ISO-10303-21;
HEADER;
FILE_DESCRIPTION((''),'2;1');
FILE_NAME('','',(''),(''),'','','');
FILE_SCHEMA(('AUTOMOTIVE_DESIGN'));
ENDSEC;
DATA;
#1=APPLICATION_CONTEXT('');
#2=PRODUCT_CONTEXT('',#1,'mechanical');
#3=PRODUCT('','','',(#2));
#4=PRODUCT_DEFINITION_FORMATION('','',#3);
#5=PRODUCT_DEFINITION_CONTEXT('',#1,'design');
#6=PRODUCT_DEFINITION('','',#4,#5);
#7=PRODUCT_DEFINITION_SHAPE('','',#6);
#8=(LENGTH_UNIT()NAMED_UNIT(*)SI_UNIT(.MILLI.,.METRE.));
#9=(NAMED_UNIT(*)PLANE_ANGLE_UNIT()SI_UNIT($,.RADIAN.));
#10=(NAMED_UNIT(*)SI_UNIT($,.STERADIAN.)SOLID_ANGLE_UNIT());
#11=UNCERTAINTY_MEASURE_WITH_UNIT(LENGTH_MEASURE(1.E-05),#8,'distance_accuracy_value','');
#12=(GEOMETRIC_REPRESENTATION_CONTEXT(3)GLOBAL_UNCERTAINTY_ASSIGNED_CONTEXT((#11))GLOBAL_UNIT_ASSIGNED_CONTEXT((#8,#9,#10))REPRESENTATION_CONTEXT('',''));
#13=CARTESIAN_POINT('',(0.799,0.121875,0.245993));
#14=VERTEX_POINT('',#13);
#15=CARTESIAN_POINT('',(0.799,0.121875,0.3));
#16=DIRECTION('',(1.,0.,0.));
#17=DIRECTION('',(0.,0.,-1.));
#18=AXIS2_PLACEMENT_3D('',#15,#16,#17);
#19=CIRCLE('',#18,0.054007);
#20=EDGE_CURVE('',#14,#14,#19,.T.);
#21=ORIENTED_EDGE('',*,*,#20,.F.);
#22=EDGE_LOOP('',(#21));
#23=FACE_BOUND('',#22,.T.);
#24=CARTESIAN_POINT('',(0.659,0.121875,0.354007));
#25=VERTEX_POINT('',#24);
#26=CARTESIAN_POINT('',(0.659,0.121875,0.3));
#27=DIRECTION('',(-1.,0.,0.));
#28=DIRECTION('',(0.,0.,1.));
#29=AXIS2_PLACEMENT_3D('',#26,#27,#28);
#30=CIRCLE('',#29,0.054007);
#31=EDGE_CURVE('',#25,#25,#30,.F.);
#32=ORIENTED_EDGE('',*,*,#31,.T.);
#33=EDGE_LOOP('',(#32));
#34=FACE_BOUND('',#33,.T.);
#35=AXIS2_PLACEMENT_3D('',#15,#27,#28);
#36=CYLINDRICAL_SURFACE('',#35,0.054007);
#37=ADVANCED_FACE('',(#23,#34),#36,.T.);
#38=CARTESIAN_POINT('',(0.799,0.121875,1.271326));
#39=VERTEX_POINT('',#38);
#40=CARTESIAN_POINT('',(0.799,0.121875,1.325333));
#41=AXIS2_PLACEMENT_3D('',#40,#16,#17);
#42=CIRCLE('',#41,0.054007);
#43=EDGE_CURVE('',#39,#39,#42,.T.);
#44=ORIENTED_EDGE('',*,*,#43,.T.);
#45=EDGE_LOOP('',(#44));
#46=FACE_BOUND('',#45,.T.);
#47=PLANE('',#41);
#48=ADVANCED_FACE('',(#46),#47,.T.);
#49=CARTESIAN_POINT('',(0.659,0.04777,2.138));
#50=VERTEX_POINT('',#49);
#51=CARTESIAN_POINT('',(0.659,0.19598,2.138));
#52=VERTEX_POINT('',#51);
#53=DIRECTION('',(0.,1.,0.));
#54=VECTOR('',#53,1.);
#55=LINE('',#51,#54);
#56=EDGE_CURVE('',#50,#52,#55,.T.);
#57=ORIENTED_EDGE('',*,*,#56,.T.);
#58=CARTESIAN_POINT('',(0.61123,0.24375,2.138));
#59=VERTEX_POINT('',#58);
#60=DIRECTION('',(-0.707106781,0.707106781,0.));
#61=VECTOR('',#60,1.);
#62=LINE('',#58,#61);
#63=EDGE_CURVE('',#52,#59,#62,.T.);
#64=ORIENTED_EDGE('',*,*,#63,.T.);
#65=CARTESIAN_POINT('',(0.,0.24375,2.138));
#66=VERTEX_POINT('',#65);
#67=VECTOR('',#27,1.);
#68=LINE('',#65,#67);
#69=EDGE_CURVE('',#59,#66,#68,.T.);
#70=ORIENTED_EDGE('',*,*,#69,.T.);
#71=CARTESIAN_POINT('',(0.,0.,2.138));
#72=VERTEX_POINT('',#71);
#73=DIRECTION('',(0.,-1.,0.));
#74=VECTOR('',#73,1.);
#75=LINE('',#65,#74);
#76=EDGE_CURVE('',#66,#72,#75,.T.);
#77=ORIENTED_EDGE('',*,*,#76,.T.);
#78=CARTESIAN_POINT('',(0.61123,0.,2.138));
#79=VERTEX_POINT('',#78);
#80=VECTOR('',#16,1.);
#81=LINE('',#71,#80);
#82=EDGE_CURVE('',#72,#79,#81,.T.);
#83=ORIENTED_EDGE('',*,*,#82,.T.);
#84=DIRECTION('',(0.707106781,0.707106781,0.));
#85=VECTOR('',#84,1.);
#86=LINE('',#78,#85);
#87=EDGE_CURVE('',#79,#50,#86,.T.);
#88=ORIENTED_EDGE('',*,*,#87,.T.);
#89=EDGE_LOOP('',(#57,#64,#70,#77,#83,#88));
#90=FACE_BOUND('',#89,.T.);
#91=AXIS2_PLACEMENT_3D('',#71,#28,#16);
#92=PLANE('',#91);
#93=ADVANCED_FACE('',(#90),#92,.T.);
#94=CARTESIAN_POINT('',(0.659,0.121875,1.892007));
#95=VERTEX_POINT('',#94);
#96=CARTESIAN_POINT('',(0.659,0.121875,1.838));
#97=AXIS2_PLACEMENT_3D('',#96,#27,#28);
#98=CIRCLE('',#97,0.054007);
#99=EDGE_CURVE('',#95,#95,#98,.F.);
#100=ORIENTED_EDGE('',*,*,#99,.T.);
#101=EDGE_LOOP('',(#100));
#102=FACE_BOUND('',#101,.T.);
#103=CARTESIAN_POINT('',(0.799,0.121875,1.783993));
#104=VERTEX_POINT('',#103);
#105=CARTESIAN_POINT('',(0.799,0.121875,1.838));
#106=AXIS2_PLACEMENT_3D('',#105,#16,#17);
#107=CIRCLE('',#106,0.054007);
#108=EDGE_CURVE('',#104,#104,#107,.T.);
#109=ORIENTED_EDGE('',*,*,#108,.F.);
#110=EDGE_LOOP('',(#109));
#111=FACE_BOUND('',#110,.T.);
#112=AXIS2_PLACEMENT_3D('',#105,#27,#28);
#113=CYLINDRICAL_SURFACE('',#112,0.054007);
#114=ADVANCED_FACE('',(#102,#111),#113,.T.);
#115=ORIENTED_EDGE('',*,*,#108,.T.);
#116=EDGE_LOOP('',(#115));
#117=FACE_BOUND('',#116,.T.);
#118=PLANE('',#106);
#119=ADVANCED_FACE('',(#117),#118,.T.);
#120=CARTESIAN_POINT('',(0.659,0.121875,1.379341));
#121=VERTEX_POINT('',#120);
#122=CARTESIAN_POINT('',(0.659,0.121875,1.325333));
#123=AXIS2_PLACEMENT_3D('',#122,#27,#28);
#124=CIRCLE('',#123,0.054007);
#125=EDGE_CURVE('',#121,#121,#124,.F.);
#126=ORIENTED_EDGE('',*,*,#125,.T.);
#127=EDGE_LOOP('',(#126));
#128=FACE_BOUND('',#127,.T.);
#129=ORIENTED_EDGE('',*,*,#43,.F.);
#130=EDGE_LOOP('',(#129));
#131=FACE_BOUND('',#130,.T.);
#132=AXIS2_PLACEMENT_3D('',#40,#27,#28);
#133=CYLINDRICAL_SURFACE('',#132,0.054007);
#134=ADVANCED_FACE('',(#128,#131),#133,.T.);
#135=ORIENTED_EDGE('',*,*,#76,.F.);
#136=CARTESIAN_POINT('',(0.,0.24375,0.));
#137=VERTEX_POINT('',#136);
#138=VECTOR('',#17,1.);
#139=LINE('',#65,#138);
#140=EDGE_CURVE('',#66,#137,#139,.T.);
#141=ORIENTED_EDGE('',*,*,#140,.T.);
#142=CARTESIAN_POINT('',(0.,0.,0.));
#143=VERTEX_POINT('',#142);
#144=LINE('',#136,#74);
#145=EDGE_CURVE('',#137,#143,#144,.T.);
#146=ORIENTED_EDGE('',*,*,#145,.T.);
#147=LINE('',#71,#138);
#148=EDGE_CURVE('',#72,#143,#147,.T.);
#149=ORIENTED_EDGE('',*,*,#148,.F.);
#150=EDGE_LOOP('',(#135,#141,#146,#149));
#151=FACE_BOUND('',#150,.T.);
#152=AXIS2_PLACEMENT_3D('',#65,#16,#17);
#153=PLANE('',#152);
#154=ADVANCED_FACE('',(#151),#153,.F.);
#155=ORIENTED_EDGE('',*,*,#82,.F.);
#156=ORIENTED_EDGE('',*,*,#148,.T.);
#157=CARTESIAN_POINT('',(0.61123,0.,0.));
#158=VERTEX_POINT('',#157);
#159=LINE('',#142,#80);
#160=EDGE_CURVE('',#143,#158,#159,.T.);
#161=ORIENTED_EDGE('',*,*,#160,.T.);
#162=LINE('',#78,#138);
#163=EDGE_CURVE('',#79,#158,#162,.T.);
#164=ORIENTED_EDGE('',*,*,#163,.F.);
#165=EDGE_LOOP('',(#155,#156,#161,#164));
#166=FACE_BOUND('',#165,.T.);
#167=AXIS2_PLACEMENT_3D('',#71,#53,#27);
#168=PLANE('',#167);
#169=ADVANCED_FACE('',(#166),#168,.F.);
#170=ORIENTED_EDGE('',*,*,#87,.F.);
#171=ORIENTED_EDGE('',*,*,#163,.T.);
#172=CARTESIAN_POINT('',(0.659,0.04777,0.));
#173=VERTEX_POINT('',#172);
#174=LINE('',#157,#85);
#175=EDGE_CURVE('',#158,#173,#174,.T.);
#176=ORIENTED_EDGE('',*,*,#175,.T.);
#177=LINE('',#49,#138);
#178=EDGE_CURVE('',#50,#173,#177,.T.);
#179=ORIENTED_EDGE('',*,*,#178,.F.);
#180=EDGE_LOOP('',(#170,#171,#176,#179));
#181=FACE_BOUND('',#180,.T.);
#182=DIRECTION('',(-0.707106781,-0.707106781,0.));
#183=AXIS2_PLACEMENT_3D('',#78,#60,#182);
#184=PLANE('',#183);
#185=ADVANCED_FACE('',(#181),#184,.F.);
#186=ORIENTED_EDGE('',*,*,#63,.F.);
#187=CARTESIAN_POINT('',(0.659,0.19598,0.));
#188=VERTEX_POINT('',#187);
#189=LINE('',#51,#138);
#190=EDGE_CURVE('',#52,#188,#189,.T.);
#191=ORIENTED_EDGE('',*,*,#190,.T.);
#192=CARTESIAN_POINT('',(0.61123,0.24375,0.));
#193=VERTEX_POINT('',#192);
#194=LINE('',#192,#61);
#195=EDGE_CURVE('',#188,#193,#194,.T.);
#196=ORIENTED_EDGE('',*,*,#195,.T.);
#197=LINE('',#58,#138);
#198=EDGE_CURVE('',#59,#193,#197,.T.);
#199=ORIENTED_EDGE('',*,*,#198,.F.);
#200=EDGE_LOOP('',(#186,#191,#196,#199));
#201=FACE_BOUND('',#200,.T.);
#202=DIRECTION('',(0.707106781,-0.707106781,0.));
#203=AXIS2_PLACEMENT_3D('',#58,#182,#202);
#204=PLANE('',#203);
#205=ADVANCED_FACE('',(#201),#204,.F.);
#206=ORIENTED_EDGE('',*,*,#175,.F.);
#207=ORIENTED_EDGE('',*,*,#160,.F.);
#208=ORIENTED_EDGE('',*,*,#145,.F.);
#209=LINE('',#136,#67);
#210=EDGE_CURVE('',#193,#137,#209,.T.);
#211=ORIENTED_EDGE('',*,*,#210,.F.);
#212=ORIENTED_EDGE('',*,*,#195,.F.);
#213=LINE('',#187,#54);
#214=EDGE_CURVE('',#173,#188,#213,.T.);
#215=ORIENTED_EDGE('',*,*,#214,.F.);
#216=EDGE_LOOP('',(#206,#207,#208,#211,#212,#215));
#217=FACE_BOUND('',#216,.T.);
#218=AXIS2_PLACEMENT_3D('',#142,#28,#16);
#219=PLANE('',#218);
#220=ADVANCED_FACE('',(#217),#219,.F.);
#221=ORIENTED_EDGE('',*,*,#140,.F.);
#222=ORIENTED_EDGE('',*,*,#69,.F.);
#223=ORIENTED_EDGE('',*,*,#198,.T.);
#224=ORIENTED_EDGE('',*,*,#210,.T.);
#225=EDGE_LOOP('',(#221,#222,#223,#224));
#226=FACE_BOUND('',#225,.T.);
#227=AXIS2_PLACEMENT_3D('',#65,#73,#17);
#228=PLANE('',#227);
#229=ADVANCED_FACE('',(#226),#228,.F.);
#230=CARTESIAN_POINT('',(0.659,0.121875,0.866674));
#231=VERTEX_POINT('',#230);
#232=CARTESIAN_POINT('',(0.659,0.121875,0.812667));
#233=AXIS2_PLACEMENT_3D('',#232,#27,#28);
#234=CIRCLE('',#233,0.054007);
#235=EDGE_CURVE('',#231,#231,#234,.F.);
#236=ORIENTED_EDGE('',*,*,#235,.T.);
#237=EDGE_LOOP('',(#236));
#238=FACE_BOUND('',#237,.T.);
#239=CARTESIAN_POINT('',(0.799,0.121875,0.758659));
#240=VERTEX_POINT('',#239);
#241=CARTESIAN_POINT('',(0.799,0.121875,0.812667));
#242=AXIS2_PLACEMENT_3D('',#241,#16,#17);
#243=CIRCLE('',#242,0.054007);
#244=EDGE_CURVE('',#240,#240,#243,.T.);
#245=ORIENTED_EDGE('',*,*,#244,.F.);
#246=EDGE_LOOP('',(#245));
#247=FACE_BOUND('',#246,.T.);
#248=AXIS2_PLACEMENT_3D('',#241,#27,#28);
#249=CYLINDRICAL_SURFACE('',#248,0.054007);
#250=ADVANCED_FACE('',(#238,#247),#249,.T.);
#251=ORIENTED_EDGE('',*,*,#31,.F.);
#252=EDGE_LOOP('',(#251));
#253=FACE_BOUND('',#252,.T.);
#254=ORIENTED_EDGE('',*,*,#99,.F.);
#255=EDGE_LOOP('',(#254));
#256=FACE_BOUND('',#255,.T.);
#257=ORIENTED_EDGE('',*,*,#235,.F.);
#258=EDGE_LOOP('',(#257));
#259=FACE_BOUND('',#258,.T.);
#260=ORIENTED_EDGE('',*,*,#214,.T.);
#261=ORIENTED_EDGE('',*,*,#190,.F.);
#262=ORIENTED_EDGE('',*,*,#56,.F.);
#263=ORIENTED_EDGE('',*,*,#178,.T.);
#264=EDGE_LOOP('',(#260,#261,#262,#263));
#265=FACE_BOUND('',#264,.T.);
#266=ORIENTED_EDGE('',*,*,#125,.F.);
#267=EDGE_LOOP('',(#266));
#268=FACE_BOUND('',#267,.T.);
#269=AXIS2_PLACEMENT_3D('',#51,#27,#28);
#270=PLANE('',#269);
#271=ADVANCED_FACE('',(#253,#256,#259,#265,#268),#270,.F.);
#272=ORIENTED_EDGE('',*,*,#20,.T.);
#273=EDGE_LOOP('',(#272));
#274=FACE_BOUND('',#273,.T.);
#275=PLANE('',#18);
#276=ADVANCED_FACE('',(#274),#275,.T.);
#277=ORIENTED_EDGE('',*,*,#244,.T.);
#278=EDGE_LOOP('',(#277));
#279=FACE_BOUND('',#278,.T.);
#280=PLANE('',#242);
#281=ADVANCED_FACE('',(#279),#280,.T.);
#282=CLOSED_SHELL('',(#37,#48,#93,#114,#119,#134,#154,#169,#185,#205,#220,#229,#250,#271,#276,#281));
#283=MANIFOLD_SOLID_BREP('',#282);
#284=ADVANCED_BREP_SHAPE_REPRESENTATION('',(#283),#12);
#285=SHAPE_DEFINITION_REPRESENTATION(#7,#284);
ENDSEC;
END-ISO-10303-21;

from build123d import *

# Parameters (mm, degrees)
BOSS_EXTRUDE1_DEPTH = 2.138
SKETCH2_R           = 0.0540073
BOSS_EXTRUDE2_DEPTH = 0.14


with BuildPart() as part:
    # Sketch1 → Boss-Extrude1 (new body)
    with BuildSketch(Plane.XY):
        Polygon((0, 0), (0.61123, 0), (0.659, 0.04777), (0.659, 0.19598), (0.61123, 0.24375), (0, 0.24375), align=None)
    extrude(amount=BOSS_EXTRUDE1_DEPTH)

    # Sketch2 → Boss-Extrude2 (add)
    with BuildSketch(Plane(origin=(0.659, 0, 0), x_dir=(0, 0, -1), z_dir=(1, 0, 0))):
        with Locations((-1.838, 0.121875)):
            Circle(SKETCH2_R)
        with Locations((-1.325333333, 0.121875)):
            Circle(SKETCH2_R)
        with Locations((-0.812666667, 0.121875)):
            Circle(SKETCH2_R)
        with Locations((-0.3, 0.121875)):
            Circle(SKETCH2_R)
    extrude(amount=BOSS_EXTRUDE2_DEPTH)


solid = part.part
